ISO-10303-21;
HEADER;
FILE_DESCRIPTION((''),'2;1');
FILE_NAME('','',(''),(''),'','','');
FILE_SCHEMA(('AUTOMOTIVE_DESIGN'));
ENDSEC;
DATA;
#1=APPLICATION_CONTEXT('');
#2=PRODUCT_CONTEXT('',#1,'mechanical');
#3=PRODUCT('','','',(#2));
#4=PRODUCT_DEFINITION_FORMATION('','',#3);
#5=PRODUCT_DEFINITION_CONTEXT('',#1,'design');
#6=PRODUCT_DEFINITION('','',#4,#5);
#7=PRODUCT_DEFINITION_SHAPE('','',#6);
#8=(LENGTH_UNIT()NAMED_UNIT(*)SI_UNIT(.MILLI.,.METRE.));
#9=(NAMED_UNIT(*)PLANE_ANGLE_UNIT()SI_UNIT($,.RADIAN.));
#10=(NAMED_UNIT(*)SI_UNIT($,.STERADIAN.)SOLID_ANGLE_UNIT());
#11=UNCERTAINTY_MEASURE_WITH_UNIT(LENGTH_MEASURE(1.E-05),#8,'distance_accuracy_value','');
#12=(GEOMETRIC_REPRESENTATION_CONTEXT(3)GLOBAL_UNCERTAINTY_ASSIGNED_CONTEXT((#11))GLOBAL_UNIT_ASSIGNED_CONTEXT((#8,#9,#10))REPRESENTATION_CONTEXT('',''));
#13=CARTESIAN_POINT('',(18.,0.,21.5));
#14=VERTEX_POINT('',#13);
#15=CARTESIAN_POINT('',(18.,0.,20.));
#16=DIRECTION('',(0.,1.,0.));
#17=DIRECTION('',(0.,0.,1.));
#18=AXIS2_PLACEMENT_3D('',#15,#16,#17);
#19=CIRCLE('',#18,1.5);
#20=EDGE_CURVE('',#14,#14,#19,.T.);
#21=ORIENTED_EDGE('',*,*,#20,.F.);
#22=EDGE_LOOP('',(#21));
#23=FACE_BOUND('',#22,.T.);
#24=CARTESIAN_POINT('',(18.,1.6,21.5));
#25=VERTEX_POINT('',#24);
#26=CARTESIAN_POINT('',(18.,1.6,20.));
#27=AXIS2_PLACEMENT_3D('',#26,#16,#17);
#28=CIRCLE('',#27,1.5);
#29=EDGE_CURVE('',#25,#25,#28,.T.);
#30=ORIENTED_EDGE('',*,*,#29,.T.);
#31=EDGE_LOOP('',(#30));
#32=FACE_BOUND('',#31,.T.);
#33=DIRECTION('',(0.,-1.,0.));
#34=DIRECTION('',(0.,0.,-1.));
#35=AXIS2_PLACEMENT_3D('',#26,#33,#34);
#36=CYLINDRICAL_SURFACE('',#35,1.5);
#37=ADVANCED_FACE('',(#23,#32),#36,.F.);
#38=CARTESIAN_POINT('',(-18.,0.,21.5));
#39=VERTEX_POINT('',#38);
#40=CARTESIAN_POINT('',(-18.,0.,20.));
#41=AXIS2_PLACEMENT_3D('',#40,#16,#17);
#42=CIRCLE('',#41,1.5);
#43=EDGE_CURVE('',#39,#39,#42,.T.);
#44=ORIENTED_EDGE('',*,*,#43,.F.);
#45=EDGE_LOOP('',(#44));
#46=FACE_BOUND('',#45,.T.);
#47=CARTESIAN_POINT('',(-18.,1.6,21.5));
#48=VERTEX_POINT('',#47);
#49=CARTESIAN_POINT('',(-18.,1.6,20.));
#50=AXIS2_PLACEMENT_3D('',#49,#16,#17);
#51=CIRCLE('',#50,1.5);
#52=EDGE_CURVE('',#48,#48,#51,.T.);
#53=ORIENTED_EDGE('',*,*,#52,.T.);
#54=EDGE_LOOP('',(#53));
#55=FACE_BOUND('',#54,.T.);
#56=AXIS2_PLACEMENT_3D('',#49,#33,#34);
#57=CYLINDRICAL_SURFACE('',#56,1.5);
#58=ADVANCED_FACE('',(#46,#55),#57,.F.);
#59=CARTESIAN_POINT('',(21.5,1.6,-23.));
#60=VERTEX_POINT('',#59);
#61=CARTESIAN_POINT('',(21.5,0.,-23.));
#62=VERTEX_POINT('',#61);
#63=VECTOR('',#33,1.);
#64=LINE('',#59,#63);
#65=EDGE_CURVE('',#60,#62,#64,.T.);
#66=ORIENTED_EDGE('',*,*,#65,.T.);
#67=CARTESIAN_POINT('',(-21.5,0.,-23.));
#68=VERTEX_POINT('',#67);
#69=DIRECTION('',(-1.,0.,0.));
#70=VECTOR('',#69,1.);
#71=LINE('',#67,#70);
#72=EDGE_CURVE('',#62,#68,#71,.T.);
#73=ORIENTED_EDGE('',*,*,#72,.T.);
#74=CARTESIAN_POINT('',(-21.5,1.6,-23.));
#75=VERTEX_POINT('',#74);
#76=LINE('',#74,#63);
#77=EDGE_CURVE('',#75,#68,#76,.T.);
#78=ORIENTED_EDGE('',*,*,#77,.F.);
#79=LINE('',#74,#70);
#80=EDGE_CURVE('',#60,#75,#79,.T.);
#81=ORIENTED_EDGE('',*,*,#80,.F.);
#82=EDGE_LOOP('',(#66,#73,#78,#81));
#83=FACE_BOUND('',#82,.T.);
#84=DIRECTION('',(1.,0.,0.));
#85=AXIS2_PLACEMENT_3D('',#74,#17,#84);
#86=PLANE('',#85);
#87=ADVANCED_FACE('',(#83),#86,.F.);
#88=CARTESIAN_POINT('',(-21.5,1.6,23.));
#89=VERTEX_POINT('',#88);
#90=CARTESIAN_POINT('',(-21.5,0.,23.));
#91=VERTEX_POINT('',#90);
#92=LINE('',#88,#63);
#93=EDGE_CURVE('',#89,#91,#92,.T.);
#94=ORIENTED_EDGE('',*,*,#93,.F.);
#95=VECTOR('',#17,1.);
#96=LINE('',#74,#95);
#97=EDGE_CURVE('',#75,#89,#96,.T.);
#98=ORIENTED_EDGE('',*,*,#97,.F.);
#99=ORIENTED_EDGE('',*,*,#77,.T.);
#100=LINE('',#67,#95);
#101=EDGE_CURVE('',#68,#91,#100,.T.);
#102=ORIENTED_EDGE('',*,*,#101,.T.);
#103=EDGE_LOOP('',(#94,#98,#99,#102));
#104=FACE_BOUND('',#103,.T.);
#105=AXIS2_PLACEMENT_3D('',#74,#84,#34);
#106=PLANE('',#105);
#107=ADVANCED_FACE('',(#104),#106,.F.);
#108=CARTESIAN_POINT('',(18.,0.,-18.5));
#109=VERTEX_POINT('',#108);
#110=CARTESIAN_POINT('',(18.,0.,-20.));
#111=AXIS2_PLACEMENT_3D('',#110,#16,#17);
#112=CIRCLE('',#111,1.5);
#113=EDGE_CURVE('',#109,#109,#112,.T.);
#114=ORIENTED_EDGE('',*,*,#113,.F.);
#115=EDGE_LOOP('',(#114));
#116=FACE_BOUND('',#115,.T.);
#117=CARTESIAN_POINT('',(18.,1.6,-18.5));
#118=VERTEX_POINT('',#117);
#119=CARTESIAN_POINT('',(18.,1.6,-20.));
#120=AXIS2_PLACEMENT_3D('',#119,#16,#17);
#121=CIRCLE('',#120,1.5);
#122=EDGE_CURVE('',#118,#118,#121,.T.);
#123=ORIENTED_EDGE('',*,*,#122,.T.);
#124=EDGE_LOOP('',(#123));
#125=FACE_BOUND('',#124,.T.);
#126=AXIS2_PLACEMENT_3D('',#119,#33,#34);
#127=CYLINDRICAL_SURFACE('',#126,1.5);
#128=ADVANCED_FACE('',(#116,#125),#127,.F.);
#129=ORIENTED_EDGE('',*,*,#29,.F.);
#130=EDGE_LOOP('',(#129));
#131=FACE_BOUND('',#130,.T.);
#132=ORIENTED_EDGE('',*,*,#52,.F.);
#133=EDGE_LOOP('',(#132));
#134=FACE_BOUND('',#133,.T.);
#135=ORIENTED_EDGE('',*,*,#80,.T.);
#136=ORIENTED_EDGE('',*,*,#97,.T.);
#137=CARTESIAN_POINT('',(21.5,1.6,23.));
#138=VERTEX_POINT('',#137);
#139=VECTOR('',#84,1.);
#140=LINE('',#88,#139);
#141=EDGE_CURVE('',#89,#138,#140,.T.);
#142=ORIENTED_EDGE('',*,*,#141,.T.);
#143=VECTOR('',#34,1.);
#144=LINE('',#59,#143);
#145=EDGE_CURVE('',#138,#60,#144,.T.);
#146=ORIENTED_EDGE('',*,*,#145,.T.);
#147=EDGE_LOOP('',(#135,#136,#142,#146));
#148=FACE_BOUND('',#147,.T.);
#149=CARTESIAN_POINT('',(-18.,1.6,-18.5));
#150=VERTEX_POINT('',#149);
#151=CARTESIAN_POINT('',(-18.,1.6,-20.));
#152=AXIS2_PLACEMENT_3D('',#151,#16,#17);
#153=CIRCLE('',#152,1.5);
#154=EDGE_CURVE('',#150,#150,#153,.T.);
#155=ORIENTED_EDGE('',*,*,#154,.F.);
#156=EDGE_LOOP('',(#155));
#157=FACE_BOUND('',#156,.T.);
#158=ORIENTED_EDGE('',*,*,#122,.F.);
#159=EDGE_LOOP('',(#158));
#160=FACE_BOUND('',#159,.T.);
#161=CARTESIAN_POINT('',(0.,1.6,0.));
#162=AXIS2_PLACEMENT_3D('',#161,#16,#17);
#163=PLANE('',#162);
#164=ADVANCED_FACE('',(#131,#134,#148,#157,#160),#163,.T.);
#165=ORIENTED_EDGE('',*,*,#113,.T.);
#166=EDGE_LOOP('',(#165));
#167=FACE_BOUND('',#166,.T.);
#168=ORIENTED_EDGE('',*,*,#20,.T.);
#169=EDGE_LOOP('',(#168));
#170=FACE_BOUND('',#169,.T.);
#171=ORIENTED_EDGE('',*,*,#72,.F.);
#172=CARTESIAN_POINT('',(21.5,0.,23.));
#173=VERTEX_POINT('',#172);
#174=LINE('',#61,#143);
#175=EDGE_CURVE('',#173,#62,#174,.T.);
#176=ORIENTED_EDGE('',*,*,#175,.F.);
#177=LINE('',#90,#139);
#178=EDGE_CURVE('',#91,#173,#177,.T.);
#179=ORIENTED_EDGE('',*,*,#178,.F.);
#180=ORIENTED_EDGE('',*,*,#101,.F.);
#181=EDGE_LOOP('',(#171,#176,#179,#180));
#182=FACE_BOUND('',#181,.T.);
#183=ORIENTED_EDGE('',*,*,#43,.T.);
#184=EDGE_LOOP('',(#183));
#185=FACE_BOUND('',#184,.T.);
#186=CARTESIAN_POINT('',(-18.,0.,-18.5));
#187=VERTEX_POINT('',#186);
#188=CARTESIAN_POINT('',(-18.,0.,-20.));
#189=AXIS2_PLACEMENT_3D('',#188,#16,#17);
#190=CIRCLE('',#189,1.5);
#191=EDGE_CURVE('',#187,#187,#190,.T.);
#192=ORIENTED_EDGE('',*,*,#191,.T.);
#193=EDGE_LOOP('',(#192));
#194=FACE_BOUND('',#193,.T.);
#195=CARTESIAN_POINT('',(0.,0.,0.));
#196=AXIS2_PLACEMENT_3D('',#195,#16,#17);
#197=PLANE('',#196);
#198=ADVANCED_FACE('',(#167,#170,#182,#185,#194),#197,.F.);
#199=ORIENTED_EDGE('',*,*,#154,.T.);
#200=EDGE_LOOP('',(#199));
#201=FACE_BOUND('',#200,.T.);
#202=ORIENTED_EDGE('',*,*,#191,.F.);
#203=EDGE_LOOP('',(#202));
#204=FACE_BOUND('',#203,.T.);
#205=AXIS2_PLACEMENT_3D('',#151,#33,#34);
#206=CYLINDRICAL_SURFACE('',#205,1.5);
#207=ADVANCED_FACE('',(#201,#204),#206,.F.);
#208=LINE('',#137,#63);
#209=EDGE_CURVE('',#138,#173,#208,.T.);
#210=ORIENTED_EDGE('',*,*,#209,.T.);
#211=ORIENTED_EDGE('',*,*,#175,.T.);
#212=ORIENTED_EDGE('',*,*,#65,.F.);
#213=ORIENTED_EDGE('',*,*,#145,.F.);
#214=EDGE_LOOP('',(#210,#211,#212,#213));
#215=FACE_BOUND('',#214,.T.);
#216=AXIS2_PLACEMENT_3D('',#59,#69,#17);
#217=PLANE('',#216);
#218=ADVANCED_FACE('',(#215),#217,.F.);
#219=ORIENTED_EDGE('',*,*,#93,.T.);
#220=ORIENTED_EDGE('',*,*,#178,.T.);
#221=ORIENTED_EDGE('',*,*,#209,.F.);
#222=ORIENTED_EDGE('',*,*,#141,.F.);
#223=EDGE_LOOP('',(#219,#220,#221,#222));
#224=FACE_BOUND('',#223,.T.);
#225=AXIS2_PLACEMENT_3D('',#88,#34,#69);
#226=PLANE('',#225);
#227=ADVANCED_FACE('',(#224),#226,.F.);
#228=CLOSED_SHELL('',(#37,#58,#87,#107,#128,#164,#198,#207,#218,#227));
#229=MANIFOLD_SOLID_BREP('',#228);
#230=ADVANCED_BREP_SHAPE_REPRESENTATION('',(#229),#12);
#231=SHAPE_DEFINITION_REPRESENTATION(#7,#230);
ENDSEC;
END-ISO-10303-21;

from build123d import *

# Parameters (mm, degrees)
ESQUISSE1_W        = 43
ESQUISSE1_H        = 46
ESQUISSE1_R        = 1.5
BOSS_EXTRU_1_DEPTH = 1.6


with BuildPart() as part:
    # Esquisse1 → Boss.-Extru.1 (new body)
    with BuildSketch(Plane(origin=(0, 0, 0), x_dir=(1, 0, 0), z_dir=(0, 1, 0))):
        Rectangle(ESQUISSE1_W, ESQUISSE1_H)
        with Locations(Location((-18, 20, 0), (0, 0, 270))):
            Circle(ESQUISSE1_R, mode=Mode.SUBTRACT)
        with Locations(Location((18, 20, 0), (0, 0, 270))):
            Circle(ESQUISSE1_R, mode=Mode.SUBTRACT)
        with Locations(Location((18, -20, 0), (0, 0, 270))):
            Circle(ESQUISSE1_R, mode=Mode.SUBTRACT)
        with Locations(Location((-18, -20, 0), (0, 0, 270))):
            Circle(ESQUISSE1_R, mode=Mode.SUBTRACT)
    extrude(amount=BOSS_EXTRU_1_DEPTH)


solid = part.part
